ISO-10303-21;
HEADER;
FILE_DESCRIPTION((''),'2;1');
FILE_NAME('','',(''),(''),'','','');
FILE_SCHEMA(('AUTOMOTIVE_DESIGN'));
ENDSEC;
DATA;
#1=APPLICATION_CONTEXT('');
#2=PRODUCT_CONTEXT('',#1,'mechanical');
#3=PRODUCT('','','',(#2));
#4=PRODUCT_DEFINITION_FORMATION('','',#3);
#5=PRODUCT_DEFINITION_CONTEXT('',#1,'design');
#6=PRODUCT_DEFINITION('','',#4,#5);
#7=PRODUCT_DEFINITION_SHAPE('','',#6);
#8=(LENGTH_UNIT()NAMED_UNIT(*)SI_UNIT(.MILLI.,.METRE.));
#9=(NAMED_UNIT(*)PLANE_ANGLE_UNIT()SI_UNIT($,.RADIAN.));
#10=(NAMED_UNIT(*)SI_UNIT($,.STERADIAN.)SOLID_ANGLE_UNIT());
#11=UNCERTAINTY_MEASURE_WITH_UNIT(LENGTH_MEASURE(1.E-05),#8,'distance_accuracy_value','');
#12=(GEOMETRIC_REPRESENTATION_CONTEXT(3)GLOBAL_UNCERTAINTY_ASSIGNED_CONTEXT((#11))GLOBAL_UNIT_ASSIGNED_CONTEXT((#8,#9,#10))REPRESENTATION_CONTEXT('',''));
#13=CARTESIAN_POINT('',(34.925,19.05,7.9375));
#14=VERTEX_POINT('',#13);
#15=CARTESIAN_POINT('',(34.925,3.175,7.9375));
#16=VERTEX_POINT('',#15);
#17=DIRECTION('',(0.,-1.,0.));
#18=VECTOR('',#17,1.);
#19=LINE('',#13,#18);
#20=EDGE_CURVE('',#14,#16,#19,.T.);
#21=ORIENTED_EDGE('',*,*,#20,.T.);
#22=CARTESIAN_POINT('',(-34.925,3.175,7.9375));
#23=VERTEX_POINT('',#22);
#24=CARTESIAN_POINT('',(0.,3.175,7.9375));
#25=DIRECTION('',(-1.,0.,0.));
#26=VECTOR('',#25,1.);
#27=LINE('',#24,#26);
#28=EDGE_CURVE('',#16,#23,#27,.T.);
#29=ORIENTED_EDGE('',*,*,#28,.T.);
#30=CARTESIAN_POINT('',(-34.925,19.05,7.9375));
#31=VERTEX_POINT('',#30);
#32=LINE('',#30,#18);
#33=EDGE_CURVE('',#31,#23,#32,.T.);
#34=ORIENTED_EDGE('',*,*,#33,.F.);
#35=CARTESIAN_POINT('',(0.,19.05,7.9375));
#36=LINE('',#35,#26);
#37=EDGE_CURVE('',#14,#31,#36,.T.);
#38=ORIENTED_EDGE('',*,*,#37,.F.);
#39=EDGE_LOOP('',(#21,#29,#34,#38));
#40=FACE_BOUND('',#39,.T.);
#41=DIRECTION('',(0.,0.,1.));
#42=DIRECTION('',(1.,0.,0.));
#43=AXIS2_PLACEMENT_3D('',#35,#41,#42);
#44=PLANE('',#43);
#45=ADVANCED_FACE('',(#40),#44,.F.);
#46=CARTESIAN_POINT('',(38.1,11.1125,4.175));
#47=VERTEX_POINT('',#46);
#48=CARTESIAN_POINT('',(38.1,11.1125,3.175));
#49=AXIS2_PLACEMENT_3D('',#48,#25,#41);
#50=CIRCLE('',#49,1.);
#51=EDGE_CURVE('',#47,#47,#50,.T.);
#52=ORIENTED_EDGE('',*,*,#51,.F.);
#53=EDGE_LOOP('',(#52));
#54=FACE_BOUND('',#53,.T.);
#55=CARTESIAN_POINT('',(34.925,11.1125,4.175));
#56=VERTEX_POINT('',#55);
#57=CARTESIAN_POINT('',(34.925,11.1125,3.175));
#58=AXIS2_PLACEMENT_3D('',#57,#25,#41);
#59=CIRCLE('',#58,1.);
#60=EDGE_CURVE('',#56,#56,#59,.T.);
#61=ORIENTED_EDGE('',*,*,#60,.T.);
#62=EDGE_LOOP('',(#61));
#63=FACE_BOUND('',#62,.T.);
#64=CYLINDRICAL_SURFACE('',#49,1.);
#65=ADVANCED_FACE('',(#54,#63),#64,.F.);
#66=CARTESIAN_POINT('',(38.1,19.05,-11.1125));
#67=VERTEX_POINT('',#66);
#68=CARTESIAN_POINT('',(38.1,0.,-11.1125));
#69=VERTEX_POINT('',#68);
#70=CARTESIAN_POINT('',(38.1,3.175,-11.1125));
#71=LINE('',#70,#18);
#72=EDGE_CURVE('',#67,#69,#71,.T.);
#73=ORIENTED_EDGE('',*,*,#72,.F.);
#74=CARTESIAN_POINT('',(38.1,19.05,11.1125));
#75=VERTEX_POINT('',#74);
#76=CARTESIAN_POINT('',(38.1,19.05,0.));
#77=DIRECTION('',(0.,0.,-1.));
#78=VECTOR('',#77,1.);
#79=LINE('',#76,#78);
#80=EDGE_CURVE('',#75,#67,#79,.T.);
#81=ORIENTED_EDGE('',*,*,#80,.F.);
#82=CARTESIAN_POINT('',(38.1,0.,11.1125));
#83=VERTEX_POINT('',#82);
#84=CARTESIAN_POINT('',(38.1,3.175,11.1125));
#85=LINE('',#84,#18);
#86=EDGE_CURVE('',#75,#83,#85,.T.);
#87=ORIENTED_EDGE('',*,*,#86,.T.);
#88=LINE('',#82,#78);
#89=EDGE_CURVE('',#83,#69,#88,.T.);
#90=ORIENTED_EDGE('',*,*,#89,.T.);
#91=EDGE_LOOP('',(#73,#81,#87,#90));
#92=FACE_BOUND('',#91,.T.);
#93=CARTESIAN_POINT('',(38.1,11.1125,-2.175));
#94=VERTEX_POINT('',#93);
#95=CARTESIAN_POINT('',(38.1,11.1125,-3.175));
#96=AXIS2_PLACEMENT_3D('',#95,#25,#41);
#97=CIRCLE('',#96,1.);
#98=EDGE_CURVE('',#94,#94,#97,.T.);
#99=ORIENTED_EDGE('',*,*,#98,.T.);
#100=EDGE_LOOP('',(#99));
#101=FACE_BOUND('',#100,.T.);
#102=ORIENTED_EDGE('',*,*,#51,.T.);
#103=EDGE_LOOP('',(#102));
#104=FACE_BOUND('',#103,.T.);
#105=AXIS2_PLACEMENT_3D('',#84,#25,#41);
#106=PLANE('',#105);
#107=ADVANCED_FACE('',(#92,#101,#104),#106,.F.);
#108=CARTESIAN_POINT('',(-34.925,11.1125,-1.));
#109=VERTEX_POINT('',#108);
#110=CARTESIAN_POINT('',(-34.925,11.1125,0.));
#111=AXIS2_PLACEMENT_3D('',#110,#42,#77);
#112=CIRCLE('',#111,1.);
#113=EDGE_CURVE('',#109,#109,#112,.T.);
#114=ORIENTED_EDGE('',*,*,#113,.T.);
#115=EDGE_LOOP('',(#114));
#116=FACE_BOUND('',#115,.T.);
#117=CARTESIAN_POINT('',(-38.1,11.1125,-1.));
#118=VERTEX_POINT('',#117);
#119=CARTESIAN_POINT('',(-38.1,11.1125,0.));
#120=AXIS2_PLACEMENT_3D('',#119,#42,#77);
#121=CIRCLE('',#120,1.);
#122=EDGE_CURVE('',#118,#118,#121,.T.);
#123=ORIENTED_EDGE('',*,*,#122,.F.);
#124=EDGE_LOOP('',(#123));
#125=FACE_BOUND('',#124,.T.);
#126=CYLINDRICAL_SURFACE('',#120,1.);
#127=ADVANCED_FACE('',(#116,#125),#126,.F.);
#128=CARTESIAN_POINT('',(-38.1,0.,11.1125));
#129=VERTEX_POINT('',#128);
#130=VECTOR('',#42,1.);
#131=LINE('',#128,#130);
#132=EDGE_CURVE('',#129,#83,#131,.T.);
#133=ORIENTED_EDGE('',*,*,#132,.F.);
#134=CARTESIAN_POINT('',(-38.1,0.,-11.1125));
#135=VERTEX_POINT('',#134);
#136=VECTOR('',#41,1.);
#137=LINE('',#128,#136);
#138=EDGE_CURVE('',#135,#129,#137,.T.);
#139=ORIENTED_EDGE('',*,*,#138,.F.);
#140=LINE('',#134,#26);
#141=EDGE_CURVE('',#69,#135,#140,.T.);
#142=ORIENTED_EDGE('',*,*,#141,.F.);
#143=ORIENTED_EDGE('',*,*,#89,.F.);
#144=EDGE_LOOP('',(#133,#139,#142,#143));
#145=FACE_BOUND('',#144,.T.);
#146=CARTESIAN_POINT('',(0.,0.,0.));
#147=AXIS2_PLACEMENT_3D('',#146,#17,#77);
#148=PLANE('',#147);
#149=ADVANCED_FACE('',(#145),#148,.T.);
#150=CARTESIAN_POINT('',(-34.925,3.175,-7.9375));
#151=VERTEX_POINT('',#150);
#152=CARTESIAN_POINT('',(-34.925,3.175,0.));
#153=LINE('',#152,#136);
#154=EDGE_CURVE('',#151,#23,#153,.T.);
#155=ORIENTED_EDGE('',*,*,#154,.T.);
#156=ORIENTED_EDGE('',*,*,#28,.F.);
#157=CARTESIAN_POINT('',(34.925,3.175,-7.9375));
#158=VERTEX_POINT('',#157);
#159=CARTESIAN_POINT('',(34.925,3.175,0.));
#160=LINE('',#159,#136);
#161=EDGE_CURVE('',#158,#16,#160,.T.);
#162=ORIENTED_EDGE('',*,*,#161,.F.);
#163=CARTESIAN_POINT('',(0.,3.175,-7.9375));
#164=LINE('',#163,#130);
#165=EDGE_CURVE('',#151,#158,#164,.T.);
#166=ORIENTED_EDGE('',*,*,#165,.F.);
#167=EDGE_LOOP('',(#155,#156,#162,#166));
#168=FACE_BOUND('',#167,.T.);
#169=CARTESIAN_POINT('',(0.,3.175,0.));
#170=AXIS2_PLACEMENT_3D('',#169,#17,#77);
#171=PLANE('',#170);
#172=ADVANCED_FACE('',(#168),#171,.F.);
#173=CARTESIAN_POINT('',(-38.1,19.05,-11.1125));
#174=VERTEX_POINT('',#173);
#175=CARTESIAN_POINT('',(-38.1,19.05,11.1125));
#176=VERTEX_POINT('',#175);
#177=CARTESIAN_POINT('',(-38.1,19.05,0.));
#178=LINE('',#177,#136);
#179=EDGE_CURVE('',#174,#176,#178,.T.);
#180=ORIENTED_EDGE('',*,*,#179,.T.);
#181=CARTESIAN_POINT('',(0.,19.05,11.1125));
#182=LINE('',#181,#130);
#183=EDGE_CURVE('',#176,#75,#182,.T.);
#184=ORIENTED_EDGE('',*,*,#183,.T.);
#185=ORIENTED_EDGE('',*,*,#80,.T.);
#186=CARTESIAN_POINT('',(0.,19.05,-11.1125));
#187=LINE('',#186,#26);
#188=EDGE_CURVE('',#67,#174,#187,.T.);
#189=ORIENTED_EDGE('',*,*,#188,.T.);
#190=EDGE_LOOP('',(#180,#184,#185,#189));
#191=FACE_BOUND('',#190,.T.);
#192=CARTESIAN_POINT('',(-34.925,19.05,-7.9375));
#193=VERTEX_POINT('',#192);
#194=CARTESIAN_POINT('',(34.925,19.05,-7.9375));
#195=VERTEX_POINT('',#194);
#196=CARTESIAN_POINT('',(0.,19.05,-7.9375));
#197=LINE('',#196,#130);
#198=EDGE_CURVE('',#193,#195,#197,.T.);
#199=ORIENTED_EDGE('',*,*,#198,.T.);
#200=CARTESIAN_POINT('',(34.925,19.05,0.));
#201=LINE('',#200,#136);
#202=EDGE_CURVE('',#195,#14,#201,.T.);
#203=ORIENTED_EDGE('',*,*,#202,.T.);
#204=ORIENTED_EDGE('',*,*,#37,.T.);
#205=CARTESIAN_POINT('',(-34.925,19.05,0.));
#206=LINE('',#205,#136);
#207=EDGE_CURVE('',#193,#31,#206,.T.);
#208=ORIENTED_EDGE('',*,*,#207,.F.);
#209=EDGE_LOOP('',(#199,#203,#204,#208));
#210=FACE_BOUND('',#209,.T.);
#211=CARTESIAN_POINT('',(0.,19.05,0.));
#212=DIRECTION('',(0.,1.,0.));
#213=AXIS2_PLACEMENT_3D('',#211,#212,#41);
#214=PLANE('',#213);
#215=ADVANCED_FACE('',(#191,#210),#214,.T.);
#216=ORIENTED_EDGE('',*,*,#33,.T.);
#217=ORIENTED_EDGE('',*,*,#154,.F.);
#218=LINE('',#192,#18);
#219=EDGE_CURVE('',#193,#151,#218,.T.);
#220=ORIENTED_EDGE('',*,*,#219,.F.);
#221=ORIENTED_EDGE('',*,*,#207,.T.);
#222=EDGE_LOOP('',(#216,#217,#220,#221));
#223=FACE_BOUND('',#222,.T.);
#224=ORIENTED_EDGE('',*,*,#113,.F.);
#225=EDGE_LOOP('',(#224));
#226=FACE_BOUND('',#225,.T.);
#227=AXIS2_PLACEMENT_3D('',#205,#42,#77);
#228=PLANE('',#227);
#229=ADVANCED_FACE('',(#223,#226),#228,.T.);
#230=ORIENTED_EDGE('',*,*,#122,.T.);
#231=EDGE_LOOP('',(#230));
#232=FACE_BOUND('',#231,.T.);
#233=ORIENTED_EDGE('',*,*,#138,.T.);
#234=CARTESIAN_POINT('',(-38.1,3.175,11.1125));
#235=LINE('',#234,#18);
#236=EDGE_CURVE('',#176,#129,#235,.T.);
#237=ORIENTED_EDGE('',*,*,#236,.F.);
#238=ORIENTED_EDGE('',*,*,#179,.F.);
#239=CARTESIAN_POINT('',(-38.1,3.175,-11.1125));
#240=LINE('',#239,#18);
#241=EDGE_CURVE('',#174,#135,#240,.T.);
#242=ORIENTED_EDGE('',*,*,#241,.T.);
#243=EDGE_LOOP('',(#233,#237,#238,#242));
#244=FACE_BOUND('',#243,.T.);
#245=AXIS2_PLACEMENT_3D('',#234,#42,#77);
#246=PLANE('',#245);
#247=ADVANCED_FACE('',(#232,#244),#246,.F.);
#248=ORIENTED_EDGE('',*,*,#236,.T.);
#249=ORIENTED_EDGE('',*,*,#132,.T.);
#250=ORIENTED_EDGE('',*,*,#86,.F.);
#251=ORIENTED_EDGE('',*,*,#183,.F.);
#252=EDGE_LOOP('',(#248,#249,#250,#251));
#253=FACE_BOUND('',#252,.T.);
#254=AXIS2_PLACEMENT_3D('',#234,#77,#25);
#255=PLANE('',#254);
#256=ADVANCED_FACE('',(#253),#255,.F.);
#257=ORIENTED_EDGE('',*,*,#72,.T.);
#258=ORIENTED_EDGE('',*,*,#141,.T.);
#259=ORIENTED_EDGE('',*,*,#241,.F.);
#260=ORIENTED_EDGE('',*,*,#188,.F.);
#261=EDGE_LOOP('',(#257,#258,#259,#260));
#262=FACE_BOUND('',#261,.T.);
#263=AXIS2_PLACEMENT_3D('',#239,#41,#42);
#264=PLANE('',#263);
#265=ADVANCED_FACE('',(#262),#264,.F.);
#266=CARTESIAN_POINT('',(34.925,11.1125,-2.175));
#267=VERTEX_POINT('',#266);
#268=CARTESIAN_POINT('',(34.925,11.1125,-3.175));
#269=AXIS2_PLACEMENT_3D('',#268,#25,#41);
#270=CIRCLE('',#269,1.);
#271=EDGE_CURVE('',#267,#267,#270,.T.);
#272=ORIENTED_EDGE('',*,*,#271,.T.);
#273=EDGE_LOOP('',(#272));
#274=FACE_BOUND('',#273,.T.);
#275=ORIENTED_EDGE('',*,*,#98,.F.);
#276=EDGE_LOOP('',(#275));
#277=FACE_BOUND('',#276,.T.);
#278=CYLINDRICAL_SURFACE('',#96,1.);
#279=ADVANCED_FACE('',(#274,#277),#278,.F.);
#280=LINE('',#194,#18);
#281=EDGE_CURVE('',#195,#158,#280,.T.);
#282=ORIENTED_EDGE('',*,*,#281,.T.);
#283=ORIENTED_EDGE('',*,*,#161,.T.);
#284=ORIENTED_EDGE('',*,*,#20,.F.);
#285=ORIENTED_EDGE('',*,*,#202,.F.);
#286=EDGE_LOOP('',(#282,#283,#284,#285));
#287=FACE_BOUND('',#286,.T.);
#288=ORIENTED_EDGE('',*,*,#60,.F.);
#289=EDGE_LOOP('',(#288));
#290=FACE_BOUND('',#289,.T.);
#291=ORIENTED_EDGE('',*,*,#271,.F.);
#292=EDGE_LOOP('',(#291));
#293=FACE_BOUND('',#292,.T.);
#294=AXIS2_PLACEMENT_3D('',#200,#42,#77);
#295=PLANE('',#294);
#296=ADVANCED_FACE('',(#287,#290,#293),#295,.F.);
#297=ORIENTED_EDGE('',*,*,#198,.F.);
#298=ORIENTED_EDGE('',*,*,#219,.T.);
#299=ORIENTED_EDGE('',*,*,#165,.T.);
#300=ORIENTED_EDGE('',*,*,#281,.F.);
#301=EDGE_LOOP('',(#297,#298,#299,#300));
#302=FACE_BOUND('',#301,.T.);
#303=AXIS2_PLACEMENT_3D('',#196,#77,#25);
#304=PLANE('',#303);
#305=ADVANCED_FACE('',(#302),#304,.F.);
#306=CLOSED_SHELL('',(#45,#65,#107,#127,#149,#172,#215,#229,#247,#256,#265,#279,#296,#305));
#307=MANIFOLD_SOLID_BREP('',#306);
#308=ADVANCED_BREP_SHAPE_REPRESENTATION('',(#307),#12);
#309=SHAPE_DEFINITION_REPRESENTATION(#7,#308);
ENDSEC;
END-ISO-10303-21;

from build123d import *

# Parameters (mm, degrees)
SKETCH1_W           = 76.2
SKETCH1_H           = 22.225
BOSS_EXTRUDE1_DEPTH = 3.175
SKETCH2_W           = 3.175
SKETCH2_H           = 15.875
BOSS_EXTRUDE2_DEPTH = 15.875
SKETCH3_R           = 1
CUT_EXTRUDE1_DEPTH  = 4.175
SKETCH4_R           = 1
CUT_EXTRUDE2_DEPTH  = 4.175


with BuildPart() as part:
    # Sketch1 → Boss-Extrude1 (new body)
    with BuildSketch(Plane(origin=(0, 0, 0), x_dir=(1, 0, 0), z_dir=(0, 1, 0))):
        Rectangle(SKETCH1_W, SKETCH1_H)
    extrude(amount=BOSS_EXTRUDE1_DEPTH)

    # Sketch2 → Boss-Extrude2 (add)
    with BuildSketch(Plane(origin=(0, 3.175, 0), x_dir=(1, 0, 0), z_dir=(0, 1, 0))):
        Polygon((38.1, 11.1125), (-38.1, 11.1125), (-38.1, 7.9375), (-34.925, 7.9375), (34.925, 7.9375), (38.1, 7.9375), align=None)
        with Locations((-36.5125, 0)):
            Rectangle(SKETCH2_W, SKETCH2_H)
        Polygon((-34.925, -7.9375), (-38.1, -7.9375), (-38.1, -11.1125), (38.1, -11.1125), (38.1, -7.9375), (34.925, -7.9375), align=None)
        with Locations((36.5125, 0)):
            Rectangle(SKETCH2_W, SKETCH2_H)
    extrude(amount=BOSS_EXTRUDE2_DEPTH)

    # Sketch3 → Cut-Extrude1 (cut, through all)
    with BuildSketch(Plane.ZY.offset(-34.925)):
        with Locations((3.175, 11.1125)):
            Circle(SKETCH3_R)
        with Locations((-3.175, 11.1125)):
            Circle(SKETCH3_R)
    extrude(amount=-CUT_EXTRUDE1_DEPTH, mode=Mode.SUBTRACT)

    # Sketch4 → Cut-Extrude2 (cut, through all)
    with BuildSketch(Plane(origin=(-34.925, 0, 0), x_dir=(0, 0, -1), z_dir=(1, 0, 0))):
        with Locations((0, 11.1125)):
            Circle(SKETCH4_R)
    extrude(amount=-CUT_EXTRUDE2_DEPTH, mode=Mode.SUBTRACT)


solid = part.part
